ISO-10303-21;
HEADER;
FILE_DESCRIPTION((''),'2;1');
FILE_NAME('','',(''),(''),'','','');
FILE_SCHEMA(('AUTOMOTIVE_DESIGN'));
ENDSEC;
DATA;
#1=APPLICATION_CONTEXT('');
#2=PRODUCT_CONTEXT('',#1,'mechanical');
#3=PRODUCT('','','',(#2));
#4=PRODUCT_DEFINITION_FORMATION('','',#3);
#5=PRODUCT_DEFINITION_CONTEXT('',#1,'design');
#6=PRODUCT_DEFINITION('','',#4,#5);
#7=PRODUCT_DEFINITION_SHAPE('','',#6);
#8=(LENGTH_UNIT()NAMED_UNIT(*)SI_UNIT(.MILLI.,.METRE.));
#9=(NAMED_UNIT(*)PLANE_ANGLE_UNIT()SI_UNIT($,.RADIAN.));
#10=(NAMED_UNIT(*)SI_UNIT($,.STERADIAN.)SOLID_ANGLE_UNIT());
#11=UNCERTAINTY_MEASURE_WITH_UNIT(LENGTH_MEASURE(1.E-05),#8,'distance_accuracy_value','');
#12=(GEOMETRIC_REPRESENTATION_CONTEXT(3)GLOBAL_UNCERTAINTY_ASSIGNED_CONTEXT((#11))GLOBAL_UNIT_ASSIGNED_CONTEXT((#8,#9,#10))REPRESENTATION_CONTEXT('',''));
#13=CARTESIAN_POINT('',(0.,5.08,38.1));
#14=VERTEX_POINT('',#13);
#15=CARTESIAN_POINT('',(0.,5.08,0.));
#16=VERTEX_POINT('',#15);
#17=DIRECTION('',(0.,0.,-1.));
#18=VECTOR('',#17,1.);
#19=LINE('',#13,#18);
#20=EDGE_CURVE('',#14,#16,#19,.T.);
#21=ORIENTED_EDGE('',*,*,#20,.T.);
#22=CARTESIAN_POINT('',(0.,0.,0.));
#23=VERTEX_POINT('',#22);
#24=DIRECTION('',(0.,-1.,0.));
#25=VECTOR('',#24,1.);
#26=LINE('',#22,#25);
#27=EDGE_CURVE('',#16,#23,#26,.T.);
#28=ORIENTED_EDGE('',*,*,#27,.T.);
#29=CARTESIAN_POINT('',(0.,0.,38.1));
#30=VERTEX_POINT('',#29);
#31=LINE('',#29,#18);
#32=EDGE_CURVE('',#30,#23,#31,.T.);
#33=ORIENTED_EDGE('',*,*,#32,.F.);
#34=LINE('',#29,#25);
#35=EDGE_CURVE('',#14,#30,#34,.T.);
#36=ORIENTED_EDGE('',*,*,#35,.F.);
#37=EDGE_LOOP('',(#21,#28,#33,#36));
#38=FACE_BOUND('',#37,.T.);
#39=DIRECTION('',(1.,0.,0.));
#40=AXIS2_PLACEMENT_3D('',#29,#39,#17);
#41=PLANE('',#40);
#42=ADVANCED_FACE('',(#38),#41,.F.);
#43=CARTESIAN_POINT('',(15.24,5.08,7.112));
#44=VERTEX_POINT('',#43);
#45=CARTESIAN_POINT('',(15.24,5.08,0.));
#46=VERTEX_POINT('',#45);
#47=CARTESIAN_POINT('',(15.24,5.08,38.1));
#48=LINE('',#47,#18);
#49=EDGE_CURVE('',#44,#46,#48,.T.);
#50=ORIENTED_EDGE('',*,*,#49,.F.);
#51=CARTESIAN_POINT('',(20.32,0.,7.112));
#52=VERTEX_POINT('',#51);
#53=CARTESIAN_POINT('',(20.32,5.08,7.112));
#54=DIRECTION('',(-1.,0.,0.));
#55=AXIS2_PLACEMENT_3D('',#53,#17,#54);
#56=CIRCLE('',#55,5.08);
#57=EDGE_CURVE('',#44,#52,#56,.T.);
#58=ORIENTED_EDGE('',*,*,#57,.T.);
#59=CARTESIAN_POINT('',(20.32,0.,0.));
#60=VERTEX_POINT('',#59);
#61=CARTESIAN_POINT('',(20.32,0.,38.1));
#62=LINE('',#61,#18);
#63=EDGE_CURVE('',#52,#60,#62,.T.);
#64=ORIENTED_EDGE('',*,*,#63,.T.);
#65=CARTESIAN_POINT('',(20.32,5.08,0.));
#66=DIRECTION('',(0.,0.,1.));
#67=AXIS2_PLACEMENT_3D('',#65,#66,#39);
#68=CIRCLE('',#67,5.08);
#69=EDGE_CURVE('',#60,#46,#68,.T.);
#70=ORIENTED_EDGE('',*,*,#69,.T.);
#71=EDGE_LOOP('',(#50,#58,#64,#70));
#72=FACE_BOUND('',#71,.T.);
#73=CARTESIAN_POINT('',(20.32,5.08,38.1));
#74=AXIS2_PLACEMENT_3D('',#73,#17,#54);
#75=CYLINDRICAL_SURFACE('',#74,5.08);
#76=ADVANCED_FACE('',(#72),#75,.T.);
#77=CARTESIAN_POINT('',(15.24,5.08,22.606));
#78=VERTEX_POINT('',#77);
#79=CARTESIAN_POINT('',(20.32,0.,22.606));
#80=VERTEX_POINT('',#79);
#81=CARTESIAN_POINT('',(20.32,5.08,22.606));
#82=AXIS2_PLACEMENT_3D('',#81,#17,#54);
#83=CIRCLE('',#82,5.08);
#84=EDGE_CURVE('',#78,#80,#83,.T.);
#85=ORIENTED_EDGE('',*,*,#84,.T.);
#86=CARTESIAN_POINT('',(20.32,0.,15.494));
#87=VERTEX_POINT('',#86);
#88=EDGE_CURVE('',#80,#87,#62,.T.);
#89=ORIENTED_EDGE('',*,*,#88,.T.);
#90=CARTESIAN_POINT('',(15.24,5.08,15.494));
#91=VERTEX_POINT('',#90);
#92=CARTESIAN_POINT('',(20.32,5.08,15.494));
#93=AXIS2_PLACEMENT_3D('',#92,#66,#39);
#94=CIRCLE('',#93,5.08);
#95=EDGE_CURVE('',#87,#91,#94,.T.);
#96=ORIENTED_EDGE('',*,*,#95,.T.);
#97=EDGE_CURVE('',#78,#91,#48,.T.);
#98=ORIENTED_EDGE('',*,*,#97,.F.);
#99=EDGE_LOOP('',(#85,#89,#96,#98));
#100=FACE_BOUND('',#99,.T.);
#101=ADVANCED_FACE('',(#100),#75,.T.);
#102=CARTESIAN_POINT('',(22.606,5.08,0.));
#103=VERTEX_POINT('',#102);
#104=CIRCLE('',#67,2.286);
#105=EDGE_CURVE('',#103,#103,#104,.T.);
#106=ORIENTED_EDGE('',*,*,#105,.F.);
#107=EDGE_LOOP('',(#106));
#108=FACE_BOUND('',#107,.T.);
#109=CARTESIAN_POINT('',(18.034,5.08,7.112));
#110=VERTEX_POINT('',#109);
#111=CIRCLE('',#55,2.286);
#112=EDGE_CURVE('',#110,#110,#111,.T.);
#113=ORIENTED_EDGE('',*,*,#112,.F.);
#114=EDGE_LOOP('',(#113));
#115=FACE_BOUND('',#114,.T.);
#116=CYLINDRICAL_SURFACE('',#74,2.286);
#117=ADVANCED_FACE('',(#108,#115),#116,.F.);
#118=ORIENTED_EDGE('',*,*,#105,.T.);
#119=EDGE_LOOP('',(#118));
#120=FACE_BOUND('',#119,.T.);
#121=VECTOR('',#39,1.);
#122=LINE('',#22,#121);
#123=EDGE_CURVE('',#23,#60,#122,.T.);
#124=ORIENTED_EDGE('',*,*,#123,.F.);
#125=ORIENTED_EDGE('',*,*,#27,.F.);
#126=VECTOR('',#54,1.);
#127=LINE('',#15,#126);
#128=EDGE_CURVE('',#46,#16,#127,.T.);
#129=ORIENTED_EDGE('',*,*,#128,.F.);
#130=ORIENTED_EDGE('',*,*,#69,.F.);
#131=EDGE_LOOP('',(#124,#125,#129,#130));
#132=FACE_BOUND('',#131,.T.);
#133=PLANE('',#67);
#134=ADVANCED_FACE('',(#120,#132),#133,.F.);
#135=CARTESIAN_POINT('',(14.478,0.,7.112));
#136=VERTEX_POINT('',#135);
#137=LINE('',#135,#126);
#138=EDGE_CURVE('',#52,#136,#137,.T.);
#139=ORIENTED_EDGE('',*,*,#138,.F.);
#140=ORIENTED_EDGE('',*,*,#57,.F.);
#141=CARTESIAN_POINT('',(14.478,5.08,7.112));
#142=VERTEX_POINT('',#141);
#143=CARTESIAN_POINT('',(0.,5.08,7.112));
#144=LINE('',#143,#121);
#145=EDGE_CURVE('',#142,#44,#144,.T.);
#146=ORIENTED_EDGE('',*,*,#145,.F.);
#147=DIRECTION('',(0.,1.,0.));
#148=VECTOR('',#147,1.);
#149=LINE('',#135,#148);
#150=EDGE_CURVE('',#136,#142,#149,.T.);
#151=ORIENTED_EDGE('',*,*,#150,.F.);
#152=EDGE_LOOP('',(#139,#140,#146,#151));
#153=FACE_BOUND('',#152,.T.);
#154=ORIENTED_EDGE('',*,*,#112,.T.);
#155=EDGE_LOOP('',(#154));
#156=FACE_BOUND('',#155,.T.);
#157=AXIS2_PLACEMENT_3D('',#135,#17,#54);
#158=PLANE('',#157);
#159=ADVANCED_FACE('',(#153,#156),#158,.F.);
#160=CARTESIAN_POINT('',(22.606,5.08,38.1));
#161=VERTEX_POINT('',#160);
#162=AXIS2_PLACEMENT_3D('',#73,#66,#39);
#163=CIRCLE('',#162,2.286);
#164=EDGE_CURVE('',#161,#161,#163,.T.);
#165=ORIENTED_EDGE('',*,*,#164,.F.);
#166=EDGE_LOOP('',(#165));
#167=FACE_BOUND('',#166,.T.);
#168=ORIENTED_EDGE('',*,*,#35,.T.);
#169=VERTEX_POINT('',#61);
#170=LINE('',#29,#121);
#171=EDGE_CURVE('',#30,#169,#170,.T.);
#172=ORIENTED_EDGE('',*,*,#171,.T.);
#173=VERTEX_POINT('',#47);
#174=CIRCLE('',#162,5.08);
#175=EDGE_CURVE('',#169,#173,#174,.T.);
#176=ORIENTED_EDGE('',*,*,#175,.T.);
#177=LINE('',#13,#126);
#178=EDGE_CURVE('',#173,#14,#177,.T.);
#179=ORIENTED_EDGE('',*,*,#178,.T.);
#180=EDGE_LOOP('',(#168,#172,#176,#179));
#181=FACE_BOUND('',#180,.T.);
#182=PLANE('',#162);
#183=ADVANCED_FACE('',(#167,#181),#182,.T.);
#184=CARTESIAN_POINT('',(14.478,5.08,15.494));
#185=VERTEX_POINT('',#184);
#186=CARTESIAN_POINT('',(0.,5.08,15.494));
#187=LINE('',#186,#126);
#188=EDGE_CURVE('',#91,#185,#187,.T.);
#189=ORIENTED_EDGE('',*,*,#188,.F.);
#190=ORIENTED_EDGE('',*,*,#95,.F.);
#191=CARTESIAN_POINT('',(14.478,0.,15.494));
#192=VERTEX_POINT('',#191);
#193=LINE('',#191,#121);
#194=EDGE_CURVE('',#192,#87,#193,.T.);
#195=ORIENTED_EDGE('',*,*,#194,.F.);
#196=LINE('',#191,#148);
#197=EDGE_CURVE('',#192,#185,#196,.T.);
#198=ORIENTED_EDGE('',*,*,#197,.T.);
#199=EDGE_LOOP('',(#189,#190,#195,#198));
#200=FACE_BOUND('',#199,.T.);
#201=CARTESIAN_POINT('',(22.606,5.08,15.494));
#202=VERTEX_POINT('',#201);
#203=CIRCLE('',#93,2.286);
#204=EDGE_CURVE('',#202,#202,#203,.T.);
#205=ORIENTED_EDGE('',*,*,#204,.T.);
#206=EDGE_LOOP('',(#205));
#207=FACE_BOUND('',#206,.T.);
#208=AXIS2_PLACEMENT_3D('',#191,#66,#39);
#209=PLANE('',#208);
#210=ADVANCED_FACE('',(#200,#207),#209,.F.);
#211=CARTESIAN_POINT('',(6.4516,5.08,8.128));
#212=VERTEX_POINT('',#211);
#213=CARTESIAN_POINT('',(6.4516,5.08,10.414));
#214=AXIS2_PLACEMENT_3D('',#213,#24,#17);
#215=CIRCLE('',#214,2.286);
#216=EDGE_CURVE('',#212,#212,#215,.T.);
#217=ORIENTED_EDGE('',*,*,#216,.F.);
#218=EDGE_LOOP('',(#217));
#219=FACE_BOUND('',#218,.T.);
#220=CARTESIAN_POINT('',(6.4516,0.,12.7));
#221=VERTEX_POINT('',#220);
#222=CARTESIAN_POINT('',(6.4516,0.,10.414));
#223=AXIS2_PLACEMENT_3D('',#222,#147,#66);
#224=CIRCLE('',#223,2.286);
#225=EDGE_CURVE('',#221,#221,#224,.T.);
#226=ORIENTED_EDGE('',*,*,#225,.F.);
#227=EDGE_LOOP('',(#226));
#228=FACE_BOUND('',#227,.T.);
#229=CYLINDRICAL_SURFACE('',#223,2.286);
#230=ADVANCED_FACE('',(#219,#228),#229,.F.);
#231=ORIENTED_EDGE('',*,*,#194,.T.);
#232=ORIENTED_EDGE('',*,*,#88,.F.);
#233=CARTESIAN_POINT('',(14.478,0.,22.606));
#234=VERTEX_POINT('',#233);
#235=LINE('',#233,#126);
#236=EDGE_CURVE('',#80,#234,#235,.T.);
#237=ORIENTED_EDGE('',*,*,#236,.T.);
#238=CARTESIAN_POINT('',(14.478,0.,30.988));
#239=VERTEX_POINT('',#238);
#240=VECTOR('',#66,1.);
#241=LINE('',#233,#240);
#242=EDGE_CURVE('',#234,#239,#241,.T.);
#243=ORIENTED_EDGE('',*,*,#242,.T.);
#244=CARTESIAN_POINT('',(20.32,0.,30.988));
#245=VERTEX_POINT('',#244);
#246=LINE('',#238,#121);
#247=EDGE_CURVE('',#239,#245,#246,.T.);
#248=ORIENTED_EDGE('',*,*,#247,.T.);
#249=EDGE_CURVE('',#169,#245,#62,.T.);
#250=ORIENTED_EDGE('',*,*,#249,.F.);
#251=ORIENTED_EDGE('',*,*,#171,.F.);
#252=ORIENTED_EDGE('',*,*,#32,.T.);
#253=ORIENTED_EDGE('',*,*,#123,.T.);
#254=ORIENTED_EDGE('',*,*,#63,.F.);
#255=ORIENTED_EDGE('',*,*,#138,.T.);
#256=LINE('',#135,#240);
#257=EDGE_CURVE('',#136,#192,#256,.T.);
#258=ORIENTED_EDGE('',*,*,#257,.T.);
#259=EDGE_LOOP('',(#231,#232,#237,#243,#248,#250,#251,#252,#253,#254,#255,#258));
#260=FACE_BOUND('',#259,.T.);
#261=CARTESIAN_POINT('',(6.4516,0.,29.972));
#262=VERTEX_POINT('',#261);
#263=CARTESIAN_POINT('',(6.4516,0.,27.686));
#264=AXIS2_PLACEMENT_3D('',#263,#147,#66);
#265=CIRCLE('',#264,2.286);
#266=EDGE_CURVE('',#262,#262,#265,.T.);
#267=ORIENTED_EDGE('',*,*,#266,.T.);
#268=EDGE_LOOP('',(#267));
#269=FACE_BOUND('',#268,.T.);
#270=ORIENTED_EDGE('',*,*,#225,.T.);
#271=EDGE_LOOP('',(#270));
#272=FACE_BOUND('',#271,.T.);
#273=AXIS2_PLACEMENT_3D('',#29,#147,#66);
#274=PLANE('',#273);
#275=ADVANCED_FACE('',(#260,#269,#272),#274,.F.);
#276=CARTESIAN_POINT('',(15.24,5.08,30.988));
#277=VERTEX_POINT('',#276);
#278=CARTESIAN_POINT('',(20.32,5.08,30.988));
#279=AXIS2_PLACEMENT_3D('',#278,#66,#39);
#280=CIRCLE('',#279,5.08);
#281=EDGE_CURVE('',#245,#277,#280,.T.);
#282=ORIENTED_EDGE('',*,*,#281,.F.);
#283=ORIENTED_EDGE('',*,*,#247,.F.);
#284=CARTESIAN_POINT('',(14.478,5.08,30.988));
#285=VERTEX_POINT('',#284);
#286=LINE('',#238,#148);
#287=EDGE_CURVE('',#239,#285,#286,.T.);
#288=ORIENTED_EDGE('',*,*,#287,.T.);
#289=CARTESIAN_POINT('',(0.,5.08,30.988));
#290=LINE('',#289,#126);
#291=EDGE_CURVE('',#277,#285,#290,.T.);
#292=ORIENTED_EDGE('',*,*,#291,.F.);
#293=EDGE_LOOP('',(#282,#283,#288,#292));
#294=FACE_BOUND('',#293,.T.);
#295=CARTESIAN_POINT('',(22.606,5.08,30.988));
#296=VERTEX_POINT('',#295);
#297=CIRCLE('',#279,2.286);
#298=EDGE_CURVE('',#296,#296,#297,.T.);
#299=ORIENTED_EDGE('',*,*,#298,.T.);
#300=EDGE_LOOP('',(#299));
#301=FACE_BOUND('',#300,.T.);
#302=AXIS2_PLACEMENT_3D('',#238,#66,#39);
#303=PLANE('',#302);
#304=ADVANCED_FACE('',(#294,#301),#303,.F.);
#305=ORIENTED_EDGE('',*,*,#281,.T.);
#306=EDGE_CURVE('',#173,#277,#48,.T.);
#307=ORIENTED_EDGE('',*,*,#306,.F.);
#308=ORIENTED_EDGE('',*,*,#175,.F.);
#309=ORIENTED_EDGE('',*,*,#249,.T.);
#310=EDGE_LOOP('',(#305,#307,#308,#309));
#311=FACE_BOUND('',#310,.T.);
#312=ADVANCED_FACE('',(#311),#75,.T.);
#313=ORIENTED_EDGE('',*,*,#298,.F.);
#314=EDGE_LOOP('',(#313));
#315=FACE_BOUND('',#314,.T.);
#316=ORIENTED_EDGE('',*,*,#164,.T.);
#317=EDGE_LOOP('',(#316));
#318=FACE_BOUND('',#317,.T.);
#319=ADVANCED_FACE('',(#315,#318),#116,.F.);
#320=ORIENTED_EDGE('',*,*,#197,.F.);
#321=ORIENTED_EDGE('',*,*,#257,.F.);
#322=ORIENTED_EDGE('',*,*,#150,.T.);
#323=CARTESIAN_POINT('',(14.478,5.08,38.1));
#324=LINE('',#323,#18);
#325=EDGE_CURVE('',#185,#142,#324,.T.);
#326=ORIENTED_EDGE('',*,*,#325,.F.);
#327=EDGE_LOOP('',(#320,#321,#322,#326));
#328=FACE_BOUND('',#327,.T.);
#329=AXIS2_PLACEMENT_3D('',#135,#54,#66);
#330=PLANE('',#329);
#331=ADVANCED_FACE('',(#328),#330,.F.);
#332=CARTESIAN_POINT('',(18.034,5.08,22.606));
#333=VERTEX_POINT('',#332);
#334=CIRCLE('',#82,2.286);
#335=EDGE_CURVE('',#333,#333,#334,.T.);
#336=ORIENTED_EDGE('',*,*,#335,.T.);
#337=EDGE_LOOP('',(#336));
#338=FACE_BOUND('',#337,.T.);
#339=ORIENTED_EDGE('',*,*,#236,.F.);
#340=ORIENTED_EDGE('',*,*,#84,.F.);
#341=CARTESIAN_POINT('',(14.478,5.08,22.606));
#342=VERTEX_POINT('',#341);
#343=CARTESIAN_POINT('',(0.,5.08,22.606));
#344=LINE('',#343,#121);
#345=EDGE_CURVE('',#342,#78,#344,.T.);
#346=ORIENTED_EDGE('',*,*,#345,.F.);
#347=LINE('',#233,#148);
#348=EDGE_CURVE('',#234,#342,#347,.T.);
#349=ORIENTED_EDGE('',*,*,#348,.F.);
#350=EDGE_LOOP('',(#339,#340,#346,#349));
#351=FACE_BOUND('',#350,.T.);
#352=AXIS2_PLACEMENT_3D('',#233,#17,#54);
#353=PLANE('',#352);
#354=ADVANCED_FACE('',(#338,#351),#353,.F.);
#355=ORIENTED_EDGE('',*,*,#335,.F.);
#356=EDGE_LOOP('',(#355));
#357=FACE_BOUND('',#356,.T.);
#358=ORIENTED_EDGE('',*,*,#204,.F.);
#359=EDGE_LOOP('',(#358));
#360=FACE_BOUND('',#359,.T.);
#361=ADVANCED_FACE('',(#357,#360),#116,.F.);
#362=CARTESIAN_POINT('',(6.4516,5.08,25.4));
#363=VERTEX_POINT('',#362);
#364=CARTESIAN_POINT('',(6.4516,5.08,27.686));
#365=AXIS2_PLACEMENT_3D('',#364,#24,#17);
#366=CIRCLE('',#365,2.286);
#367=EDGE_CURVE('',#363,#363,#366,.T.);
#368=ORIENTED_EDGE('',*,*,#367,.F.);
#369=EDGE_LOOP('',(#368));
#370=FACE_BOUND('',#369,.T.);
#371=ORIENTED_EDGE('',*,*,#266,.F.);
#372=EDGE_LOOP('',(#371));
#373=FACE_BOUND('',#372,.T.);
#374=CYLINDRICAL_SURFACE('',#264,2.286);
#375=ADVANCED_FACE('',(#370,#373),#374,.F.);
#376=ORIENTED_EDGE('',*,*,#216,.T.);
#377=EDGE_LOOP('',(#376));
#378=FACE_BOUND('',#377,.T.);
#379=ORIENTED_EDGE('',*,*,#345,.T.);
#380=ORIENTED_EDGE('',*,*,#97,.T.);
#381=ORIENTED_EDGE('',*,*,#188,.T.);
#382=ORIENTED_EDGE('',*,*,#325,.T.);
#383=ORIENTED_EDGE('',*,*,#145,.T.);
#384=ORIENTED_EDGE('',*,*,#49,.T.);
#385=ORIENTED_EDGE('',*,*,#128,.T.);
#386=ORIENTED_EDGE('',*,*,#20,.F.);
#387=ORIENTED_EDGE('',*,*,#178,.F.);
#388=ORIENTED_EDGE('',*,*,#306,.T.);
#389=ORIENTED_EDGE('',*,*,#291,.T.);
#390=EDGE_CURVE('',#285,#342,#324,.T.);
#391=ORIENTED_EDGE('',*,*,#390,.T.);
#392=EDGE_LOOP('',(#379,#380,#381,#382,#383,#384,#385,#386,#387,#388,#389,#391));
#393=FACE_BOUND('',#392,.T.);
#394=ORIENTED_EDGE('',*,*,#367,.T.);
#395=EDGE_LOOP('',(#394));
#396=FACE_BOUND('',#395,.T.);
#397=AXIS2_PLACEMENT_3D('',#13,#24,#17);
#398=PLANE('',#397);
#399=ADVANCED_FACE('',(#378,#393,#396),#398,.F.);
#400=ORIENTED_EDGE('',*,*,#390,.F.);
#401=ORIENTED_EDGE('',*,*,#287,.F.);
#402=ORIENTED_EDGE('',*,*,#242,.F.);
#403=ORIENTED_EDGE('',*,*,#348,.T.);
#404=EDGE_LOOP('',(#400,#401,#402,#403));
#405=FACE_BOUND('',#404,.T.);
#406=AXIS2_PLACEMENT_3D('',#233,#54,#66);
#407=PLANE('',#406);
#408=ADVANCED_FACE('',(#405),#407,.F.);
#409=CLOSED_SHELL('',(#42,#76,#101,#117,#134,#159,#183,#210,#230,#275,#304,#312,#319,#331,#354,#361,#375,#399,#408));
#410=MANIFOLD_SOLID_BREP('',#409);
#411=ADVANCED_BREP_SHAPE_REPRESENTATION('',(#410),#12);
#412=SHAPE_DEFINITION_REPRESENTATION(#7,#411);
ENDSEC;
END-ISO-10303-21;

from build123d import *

# Parameters (mm, degrees)
SKETCH1_R               = 2.286
BOSS_EXTRUDE1_DEPTH     = 38.1
SKETCH2_W               = 10.922
SKETCH2_H               = 8.382
CUT_EXTRUDE1_DEPTH      = 6.08
CUT_EXTRUDE1_DEPTH_BACK = 6.08
SKETCH3_R               = 2.286
CUT_EXTRUDE2_DEPTH      = 6.08
CUT_EXTRUDE2_DEPTH_BACK = 6.08


with BuildPart() as part:
    # Sketch1 → Boss-Extrude1 (new body)
    with BuildSketch(Plane.XY):
        with BuildLine():
            Line((0, 5.08), (15.24, 5.08))
            ThreePointArc((15.24, 5.08), (23.912102448, 8.672102448), (20.32, 0))
            Line((20.32, 0), (0, 0))
            Line((0, 0), (0, 5.08))
        make_face()
        with Locations((20.32, 5.08)):
            Circle(SKETCH1_R, mode=Mode.SUBTRACT)
    extrude(amount=BOSS_EXTRUDE1_DEPTH)

    # Sketch2 → Cut-Extrude1 (cut, two sides)
    with BuildSketch(Plane(origin=(0, 5.08, 0), x_dir=(1, 0, 0), z_dir=(0, 1, 0))) as cut_extrude1_sk:
        with Locations((19.939, -11.303)):
            Rectangle(SKETCH2_W, SKETCH2_H)
        with Locations((19.939, -26.797)):
            Rectangle(SKETCH2_W, SKETCH2_H)
    extrude(amount=CUT_EXTRUDE1_DEPTH, mode=Mode.SUBTRACT)
    extrude(cut_extrude1_sk.sketch, amount=-CUT_EXTRUDE1_DEPTH_BACK, mode=Mode.SUBTRACT)

    # Sketch3 → Cut-Extrude2 (cut, two sides)
    with BuildSketch(Plane(origin=(0, 5.08, 0), x_dir=(1, 0, 0), z_dir=(0, 1, 0))) as cut_extrude2_sk:
        with Locations((6.4516, -10.414)):
            Circle(SKETCH3_R)
        with Locations((6.4516, -27.686)):
            Circle(SKETCH3_R)
    extrude(amount=CUT_EXTRUDE2_DEPTH, mode=Mode.SUBTRACT)
    extrude(cut_extrude2_sk.sketch, amount=-CUT_EXTRUDE2_DEPTH_BACK, mode=Mode.SUBTRACT)


solid = part.part
